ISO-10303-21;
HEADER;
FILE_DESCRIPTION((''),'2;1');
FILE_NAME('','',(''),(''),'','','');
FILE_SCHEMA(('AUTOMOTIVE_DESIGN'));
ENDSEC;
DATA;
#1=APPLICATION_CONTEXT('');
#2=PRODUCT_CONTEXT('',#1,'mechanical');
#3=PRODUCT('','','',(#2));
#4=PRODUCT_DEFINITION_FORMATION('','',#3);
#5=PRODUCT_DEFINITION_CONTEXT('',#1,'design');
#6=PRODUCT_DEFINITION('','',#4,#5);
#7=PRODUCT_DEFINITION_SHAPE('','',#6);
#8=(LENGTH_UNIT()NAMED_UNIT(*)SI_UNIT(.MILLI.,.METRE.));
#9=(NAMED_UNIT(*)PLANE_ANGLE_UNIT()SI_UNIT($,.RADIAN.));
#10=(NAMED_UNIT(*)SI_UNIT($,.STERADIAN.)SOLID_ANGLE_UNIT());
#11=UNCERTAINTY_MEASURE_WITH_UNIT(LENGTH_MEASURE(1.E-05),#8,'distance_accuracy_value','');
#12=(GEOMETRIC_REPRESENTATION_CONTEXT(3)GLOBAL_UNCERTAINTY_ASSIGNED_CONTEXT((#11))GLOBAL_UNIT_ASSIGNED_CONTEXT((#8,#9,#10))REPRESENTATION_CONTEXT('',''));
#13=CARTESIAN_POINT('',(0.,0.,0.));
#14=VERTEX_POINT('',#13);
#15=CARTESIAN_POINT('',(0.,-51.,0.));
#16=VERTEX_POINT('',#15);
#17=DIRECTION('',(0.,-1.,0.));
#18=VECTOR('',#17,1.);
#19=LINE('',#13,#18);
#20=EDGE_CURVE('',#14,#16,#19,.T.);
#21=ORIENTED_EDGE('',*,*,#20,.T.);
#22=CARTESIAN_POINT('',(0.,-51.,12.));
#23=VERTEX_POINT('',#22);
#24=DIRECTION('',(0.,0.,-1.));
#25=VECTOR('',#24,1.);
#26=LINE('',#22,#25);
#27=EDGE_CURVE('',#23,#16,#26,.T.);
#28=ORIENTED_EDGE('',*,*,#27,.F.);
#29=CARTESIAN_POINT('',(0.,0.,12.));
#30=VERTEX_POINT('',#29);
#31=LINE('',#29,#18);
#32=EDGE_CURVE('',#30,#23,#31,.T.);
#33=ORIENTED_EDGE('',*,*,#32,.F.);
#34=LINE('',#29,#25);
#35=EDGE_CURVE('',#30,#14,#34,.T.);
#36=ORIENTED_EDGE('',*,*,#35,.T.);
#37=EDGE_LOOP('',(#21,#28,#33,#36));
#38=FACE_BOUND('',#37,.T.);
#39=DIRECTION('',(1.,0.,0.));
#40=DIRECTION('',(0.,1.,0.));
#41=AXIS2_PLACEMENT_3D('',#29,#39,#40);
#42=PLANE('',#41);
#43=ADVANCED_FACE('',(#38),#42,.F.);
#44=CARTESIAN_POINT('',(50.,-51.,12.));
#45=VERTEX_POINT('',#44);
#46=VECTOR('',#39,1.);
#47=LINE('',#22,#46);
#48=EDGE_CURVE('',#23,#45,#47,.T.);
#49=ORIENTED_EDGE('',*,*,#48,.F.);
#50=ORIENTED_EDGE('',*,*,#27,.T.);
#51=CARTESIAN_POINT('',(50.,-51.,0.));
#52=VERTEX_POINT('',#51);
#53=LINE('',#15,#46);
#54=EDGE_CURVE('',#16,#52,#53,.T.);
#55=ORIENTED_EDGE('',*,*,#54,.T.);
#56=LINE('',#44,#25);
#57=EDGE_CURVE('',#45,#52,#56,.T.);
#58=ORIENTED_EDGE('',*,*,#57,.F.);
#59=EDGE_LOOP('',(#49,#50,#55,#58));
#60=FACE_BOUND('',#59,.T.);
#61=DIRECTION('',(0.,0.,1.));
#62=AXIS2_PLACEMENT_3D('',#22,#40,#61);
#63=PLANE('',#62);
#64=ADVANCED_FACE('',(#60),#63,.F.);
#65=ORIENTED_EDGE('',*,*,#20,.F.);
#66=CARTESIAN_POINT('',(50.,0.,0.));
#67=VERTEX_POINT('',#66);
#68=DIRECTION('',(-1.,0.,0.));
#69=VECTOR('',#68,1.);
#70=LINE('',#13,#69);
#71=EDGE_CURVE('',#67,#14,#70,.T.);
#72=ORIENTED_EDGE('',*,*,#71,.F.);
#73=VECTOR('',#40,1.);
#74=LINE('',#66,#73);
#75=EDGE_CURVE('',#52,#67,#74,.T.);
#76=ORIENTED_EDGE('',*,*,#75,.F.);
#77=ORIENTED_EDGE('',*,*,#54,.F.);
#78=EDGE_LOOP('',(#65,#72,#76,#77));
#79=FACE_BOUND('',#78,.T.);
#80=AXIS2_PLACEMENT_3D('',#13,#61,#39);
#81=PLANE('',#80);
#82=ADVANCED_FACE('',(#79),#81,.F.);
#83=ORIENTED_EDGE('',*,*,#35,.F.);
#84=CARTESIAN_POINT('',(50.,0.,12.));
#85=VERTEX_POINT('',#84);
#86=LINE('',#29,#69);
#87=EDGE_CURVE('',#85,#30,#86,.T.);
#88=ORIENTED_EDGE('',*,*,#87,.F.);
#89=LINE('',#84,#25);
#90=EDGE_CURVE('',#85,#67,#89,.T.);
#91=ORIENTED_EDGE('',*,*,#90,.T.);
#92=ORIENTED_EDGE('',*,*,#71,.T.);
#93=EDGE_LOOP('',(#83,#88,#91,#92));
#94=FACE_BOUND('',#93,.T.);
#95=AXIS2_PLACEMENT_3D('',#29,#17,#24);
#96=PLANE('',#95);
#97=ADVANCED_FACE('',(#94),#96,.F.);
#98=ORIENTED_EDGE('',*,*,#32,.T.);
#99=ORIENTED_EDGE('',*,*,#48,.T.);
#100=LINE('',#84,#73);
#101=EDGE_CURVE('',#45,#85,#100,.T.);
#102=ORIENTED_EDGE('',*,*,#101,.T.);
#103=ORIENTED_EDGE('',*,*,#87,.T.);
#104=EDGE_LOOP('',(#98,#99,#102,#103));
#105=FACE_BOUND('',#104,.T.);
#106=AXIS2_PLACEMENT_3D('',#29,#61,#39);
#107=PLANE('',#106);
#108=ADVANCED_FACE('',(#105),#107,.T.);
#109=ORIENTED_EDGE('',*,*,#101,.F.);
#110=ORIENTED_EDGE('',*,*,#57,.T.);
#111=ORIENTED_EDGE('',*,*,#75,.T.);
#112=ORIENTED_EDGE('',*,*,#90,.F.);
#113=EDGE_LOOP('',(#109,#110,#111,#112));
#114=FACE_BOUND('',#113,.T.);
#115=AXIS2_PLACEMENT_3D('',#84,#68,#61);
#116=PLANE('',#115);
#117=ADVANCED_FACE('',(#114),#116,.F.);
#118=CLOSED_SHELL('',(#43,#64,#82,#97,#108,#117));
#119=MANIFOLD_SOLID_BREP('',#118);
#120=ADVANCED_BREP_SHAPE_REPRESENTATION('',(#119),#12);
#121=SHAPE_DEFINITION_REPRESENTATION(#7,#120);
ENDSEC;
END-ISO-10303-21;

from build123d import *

# Parameters (mm, degrees)
SKETCH_1_W      = 50
SKETCH_1_H      = 51
EXTRUDE_1_DEPTH = 12


with BuildPart() as part:
    # 草图1 → 凸台-拉伸1 (new body)
    with BuildSketch(Plane.XY):
        with Locations((25, -25.5)):
            Rectangle(SKETCH_1_W, SKETCH_1_H)
    extrude(amount=EXTRUDE_1_DEPTH)


solid = part.part
